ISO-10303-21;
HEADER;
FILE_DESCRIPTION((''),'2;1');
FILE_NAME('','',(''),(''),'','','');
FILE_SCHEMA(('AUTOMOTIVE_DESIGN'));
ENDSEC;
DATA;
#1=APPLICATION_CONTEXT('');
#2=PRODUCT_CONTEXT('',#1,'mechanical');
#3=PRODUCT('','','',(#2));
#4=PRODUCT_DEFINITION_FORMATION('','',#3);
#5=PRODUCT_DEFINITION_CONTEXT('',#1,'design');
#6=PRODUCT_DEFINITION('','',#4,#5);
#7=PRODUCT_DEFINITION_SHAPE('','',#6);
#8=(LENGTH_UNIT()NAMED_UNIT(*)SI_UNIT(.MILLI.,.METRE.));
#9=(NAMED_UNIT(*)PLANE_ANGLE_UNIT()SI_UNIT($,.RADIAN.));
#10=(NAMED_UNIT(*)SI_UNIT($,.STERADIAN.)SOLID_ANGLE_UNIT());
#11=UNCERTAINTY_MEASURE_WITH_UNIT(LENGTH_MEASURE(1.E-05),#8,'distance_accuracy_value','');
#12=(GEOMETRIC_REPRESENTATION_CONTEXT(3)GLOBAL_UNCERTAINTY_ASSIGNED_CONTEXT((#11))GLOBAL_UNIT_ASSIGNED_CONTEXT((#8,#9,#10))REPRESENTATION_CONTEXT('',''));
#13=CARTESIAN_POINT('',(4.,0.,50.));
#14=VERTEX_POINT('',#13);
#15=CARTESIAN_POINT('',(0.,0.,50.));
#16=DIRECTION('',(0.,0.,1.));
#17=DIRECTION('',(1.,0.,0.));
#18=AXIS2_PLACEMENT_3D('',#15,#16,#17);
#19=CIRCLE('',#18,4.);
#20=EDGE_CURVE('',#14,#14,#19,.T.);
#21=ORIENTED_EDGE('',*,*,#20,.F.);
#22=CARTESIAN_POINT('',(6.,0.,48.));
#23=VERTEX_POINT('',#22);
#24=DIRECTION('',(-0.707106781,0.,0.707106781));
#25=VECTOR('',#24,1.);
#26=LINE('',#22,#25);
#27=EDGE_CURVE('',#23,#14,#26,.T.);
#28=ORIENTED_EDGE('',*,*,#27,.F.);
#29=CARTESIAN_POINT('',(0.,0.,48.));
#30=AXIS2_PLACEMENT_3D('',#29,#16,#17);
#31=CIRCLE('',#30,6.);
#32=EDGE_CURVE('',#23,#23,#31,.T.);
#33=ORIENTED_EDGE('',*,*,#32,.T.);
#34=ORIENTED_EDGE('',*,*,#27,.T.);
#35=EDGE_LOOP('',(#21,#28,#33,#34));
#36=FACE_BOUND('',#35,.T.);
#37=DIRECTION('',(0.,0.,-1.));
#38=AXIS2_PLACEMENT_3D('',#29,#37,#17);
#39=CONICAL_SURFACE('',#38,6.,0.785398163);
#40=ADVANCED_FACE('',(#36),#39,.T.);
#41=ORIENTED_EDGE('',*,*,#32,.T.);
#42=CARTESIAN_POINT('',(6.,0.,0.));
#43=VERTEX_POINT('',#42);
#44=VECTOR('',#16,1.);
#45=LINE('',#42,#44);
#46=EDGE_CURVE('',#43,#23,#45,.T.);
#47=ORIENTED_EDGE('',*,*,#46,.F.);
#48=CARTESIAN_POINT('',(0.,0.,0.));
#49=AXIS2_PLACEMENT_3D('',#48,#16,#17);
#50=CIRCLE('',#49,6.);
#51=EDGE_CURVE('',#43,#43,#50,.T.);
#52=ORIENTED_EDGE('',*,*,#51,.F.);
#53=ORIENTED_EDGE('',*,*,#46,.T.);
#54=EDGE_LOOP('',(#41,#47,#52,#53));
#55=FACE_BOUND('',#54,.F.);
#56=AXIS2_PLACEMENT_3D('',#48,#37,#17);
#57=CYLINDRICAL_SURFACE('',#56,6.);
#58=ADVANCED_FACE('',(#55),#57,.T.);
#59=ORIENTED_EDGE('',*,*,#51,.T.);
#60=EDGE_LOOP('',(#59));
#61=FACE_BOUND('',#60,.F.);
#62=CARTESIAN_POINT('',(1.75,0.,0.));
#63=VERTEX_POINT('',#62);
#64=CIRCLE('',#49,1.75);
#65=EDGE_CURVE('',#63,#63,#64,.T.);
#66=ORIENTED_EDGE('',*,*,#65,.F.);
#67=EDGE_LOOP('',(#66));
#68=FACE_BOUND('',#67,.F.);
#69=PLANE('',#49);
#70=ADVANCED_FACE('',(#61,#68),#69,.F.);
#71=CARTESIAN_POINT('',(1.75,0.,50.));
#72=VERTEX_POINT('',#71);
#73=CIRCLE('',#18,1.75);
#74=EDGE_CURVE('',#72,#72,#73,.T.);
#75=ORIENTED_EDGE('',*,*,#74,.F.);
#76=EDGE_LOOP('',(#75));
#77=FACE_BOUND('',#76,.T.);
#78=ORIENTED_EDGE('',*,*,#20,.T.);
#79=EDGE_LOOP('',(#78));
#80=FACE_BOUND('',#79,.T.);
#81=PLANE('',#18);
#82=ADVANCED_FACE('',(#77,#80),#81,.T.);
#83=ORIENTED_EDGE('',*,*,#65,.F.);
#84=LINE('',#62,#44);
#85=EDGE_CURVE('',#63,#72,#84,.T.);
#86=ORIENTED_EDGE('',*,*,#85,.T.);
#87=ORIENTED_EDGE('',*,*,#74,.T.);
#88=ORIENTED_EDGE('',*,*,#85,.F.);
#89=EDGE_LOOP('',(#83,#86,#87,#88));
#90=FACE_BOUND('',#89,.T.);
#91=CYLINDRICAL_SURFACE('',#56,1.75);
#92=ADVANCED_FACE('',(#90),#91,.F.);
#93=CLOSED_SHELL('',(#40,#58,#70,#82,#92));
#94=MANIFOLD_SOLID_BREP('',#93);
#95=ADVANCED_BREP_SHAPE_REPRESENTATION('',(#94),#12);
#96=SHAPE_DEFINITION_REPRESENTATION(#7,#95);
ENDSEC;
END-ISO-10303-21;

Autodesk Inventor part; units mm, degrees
ref_plane "YZ Plane" through (0, 0, 0) normal (1, 0, 0) x (0, 1, 0)
ref_plane "XZ Plane" through (0, 0, 0) normal (0, 1, 0) x (-1, 0, 0)
ref_plane "XY Plane" through (0, 0, 0) normal (0, 0, 1) x (1, 0, 0)
sketch "Sketch2" plane through (0, 0, 0) normal (0, 0, 1) x (1, 0, 0)
  circle A0 centre (0, 0) radius 6
  circle A1 centre (0, 0) radius 1.75
  dimension "d11" = 12
  dimension "d12" = 3.5
extrude "Extrusion2" add sketch "Sketch2" along normal blind 50
chamfer "Chamfer1" distance 2 angle 45 1 edges at (-6, 0, 50)
properties part number "M19 - Wooden Dowel" material "Wood (Cherry)"
